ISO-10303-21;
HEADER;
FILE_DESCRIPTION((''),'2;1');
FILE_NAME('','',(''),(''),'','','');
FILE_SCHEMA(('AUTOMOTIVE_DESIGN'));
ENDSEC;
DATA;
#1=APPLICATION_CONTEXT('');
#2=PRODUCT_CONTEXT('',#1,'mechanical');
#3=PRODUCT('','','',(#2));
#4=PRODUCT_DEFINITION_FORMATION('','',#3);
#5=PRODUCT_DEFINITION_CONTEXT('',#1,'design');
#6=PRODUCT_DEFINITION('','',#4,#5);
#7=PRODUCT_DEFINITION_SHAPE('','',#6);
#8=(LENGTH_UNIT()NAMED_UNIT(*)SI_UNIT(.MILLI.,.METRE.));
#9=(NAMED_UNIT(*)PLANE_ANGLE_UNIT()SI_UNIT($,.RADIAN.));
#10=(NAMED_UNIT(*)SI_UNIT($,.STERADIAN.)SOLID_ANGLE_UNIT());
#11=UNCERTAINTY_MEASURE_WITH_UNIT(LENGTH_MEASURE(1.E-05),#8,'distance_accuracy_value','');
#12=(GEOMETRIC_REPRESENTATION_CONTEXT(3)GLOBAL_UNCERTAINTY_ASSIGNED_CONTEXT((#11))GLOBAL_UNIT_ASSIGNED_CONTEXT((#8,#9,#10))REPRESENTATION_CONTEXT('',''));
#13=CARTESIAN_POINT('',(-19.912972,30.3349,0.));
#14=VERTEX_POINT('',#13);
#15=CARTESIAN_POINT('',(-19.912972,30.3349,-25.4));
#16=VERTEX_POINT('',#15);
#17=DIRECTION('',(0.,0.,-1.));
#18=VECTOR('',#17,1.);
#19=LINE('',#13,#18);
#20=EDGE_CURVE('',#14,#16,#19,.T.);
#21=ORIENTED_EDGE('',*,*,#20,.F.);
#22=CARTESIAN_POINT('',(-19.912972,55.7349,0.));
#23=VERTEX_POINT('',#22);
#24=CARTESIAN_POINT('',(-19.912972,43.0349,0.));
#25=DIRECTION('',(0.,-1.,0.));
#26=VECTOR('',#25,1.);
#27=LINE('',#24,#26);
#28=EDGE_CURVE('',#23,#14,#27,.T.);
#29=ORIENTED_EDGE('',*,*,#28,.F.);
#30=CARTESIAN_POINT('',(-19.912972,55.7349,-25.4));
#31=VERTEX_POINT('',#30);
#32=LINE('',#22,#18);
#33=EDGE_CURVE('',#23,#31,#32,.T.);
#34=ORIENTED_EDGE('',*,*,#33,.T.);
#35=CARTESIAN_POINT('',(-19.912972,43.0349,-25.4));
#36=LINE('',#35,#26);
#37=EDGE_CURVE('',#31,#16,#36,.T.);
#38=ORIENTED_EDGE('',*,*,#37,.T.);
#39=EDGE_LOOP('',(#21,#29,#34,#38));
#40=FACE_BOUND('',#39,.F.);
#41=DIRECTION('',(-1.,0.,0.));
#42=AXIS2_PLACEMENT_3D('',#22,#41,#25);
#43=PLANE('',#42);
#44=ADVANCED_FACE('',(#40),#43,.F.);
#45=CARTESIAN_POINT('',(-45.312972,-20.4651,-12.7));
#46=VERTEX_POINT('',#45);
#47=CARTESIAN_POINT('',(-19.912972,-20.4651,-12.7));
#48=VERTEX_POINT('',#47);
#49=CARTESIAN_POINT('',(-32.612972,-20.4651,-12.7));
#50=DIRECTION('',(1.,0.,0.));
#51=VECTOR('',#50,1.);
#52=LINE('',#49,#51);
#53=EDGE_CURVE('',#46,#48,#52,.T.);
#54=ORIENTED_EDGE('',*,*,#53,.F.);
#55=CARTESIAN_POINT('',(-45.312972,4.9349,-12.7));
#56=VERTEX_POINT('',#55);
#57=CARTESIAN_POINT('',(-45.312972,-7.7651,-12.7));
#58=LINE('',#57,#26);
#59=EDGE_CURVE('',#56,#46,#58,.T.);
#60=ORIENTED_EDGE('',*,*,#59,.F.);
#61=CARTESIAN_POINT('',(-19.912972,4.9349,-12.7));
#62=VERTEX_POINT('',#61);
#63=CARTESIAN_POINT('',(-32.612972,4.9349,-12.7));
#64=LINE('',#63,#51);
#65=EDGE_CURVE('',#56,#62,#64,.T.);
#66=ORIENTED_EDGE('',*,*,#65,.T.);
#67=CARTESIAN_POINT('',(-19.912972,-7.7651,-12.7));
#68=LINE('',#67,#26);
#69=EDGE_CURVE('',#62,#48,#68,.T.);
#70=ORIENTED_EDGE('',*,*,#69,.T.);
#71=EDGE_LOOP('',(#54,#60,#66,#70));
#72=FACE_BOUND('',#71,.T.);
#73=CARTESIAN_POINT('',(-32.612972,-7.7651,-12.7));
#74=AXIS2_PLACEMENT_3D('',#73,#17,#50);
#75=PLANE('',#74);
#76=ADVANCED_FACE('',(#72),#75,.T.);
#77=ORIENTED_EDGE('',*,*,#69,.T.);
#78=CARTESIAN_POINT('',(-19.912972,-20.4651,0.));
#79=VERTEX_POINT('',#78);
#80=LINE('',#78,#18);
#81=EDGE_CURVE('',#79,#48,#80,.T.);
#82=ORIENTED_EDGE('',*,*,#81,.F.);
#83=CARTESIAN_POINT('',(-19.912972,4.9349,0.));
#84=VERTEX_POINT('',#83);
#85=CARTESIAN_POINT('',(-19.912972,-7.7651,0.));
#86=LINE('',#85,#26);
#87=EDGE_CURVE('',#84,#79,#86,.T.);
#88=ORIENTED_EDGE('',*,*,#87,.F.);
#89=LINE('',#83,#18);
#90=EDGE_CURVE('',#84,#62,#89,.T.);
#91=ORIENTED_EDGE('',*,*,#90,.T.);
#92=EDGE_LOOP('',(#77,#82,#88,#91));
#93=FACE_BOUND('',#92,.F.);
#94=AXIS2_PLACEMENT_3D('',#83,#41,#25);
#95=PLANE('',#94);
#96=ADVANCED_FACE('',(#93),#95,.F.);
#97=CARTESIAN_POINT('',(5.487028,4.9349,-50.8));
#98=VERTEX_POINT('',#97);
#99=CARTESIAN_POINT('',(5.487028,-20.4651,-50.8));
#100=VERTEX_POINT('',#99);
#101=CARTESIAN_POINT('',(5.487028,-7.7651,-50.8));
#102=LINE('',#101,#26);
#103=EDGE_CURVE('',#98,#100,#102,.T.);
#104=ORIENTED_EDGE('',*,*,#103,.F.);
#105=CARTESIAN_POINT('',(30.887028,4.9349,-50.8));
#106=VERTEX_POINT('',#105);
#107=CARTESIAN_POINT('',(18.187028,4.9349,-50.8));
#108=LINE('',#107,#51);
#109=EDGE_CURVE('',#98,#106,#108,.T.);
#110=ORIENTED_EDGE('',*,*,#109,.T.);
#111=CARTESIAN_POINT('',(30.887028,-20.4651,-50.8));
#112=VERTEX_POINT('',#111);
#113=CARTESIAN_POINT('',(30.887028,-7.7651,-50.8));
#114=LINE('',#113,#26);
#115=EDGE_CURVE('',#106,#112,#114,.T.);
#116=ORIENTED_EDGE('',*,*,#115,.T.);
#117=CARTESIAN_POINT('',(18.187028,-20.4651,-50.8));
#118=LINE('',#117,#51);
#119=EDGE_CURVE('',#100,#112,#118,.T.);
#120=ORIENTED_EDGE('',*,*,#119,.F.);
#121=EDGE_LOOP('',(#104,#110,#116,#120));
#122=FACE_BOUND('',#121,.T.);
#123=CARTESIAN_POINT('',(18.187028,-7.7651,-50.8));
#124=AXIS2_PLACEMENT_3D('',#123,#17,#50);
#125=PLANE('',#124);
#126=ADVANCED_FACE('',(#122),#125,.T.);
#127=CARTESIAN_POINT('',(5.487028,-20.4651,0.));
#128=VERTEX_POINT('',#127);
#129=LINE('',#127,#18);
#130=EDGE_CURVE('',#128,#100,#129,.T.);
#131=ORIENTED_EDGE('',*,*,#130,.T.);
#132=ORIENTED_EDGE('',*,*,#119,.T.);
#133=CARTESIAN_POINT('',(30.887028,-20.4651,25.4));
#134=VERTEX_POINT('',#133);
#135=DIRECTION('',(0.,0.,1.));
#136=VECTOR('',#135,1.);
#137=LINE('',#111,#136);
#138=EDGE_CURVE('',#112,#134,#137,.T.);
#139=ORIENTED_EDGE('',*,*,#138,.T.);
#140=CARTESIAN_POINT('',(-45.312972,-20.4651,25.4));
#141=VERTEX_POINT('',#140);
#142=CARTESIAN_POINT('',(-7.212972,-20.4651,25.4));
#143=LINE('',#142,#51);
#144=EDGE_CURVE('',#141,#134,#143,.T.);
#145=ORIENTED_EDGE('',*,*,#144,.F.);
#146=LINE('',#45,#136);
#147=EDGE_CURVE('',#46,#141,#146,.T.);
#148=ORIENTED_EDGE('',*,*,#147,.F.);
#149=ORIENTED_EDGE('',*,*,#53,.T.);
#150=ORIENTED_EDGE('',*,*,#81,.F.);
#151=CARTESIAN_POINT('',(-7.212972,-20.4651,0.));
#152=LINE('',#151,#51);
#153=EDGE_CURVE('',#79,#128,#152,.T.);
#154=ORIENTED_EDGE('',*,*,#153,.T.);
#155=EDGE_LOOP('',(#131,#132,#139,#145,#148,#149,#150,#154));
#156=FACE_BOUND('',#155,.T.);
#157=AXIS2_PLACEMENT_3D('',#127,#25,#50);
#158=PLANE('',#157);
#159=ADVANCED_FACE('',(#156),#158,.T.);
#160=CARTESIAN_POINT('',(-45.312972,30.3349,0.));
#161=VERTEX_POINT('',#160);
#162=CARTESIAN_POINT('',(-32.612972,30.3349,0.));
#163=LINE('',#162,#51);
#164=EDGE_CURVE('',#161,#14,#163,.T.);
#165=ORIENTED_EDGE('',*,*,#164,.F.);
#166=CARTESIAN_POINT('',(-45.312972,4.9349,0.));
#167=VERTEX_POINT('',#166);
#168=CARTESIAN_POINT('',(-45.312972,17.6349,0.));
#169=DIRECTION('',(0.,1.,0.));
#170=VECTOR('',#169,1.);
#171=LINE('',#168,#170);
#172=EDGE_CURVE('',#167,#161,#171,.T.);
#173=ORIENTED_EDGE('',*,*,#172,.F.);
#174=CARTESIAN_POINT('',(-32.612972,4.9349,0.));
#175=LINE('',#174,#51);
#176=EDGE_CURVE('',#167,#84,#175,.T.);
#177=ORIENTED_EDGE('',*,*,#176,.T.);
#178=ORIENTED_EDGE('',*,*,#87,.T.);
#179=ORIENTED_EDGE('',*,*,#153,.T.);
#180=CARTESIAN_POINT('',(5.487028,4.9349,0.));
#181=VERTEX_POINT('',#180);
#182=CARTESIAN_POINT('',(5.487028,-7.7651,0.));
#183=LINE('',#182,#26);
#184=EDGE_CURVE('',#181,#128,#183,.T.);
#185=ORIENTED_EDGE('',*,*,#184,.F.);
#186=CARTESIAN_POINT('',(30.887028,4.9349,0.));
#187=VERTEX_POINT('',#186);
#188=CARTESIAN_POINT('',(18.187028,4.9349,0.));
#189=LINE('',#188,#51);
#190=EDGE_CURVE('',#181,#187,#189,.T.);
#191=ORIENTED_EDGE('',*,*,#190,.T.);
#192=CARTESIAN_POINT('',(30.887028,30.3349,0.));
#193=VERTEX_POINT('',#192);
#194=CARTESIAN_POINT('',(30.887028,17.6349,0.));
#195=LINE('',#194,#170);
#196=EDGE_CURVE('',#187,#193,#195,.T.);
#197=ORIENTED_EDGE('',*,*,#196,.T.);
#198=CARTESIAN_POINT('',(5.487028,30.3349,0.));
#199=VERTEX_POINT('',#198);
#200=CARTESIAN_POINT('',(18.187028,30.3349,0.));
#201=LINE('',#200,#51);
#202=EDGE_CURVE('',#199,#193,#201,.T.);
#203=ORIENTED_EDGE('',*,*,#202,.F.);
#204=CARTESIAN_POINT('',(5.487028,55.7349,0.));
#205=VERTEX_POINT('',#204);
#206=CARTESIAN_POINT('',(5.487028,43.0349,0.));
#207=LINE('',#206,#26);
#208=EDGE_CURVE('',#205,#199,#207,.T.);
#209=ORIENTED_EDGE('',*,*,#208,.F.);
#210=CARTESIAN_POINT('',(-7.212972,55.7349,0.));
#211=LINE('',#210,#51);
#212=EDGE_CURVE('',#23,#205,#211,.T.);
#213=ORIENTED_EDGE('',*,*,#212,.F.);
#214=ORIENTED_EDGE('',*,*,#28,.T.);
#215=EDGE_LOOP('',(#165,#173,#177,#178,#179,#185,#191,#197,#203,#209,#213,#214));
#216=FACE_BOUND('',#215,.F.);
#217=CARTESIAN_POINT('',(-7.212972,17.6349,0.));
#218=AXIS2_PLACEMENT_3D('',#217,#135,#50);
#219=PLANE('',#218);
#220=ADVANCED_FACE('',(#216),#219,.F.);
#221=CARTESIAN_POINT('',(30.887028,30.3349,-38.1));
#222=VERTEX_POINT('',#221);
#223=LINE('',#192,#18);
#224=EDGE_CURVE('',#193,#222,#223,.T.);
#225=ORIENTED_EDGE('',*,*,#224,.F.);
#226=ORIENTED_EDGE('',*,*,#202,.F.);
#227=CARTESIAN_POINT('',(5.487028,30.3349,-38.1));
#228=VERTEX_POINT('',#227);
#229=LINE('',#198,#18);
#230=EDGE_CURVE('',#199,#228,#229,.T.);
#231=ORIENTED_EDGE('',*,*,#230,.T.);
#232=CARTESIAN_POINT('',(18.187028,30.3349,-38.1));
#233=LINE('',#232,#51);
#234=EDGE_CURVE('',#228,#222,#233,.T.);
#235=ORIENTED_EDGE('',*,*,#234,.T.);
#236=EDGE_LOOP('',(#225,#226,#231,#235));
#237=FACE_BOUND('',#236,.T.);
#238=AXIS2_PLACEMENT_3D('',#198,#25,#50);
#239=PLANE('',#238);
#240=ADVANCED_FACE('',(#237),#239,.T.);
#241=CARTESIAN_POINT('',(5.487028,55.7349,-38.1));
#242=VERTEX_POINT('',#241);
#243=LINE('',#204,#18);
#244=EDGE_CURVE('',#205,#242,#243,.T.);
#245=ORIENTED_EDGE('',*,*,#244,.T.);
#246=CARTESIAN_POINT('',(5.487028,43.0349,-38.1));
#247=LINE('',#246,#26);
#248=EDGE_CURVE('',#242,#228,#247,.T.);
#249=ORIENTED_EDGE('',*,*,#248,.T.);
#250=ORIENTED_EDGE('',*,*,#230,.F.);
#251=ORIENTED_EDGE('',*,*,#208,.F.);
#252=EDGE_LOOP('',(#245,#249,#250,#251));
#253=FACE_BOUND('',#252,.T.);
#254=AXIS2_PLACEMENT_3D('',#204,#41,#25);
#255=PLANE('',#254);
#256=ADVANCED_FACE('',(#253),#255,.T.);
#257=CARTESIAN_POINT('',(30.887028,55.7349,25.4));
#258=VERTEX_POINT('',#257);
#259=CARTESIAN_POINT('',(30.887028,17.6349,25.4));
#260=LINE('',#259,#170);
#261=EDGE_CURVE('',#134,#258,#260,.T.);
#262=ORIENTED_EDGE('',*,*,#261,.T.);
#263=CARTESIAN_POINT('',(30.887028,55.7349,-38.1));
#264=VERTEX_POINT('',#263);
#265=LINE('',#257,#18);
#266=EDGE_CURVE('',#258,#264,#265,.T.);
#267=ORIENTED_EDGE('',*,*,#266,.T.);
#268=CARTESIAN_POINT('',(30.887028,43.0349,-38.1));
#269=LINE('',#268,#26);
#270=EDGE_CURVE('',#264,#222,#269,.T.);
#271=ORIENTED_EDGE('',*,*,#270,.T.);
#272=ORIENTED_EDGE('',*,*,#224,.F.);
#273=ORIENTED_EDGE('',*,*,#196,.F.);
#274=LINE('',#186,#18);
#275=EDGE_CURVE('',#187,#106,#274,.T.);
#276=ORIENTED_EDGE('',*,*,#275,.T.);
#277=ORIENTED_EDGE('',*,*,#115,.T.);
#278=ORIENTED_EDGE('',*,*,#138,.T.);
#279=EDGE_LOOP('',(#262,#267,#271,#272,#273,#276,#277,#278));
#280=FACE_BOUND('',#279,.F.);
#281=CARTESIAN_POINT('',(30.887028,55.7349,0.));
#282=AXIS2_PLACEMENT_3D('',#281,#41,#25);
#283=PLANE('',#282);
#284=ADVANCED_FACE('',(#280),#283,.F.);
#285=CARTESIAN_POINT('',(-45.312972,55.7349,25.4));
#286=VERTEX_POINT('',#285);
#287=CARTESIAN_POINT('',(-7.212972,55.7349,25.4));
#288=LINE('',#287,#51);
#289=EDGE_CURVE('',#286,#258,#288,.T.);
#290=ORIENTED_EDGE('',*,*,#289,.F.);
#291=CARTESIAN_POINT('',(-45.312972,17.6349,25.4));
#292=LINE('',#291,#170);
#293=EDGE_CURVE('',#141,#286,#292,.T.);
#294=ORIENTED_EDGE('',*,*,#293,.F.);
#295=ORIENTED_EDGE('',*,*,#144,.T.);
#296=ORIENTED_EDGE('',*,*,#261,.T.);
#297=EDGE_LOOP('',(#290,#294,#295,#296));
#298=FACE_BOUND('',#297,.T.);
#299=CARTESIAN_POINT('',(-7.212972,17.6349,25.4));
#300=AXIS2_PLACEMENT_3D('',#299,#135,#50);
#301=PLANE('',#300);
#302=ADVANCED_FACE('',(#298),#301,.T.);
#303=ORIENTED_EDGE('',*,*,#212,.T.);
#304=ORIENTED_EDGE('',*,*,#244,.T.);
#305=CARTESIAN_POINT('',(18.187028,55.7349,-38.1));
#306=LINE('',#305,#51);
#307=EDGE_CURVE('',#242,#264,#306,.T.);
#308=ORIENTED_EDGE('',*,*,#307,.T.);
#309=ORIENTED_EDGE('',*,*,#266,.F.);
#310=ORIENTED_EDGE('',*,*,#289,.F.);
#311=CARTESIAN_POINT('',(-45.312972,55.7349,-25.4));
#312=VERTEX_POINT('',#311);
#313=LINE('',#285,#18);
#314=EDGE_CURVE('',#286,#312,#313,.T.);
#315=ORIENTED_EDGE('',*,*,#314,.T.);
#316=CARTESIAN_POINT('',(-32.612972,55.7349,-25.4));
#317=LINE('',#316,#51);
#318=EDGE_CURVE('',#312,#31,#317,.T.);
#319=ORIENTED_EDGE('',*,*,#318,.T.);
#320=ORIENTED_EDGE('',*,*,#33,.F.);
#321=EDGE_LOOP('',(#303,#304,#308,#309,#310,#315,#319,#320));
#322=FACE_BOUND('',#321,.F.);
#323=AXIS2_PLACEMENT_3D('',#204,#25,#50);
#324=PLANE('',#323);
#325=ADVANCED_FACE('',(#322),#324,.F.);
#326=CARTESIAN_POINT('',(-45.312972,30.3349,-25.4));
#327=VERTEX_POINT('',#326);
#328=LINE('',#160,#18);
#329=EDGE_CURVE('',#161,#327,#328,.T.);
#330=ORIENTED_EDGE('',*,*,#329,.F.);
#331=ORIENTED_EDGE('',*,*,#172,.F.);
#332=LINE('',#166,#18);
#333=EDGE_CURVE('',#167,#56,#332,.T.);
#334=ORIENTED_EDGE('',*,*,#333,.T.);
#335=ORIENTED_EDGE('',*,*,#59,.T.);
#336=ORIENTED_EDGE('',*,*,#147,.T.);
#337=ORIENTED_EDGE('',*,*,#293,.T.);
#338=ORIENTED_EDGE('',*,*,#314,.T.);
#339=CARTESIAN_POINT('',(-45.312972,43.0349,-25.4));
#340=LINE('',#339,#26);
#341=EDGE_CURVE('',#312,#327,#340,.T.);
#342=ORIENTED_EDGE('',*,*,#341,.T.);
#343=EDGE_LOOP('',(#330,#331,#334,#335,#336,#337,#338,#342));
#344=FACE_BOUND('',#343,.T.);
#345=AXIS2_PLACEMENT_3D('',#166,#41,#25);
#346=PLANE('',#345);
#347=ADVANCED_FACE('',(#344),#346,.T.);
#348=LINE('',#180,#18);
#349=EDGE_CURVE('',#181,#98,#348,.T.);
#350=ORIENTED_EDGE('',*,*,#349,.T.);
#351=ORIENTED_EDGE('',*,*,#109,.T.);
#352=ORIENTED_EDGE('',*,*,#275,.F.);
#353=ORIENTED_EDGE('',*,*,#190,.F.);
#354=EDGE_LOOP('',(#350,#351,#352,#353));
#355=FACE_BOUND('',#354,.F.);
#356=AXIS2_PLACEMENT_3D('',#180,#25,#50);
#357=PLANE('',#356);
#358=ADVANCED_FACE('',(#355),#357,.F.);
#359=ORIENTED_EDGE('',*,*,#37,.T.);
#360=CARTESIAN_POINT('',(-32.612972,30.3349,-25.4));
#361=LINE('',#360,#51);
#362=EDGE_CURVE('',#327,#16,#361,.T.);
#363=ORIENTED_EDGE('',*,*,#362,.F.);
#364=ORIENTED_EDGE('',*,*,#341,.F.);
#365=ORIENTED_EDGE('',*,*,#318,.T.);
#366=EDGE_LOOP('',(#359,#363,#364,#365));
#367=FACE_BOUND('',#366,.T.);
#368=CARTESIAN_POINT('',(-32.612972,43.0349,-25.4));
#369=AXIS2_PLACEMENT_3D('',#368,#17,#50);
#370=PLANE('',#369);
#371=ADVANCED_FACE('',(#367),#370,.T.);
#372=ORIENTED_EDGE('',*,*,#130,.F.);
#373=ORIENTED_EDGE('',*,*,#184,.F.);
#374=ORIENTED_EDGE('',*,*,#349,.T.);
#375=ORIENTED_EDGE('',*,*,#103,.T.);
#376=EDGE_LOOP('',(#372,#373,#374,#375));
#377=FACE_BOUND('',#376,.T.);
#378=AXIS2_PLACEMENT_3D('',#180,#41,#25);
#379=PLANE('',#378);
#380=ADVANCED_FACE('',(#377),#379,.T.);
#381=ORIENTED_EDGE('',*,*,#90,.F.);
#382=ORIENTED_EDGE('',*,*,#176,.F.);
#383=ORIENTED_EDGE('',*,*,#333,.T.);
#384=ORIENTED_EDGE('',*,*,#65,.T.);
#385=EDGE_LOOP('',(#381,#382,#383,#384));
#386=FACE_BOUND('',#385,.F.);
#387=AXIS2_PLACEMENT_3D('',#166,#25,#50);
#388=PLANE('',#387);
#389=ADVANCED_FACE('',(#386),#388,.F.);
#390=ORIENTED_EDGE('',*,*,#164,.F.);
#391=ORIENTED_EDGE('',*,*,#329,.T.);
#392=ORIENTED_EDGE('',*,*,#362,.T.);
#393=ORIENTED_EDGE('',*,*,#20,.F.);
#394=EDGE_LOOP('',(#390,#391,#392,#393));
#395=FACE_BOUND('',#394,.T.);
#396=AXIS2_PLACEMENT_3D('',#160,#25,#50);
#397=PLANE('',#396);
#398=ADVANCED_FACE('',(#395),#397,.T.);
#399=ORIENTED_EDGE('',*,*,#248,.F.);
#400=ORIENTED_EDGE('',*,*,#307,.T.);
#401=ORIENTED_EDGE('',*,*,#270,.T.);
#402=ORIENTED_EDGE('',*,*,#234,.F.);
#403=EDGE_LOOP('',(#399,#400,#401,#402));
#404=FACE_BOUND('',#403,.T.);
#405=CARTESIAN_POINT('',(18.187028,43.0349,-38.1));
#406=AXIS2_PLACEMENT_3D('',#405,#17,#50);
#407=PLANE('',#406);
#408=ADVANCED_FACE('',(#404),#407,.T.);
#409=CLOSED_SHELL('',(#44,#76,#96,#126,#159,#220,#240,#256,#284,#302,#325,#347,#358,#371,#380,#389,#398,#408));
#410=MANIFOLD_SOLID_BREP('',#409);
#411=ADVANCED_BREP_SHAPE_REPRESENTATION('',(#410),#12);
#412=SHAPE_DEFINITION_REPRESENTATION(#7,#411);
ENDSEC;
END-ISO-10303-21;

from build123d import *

# Parameters (mm, degrees)
F0_W     = 76.2
F0_H     = 76.2
F1_DEPTH = 25.4
F2_W     = 25.4
F2_H     = 25.4
F3_DEPTH = 25.4
F4_W     = 25.4
F4_H     = 25.4
F5_DEPTH = 12.7
F6_W     = 25.4
F6_H     = 25.4
F7_DEPTH = 50.8
F8_W     = 25.4
F8_H     = 25.4
F9_DEPTH = 38.1


with BuildPart() as f1:
    # F0 (on Top) → F1 (new body)
    with BuildSketch(Plane.XY):
        with Locations((-7.212972, 17.6349)):
            Rectangle(F0_W, F0_H)
    extrude(amount=F1_DEPTH)

    # F2 (on face) → F3 (join)
    with BuildSketch(Plane(origin=(0, 0, 0), x_dir=(1, 0, 0), z_dir=(0, 0, -1))):
        with Locations((-32.612972, -43.0349)):
            Rectangle(F2_W, F2_H)
    extrude(amount=F3_DEPTH)

    # F4 (on face) → F5 (join)
    with BuildSketch(Plane(origin=(0, 0, 0), x_dir=(1, 0, 0), z_dir=(0, 0, -1))):
        with Locations((-32.612972, 7.7651)):
            Rectangle(F4_W, F4_H)
    extrude(amount=F5_DEPTH)

    # F6 (on face) → F7 (join)
    with BuildSketch(Plane(origin=(0, 0, 0), x_dir=(1, 0, 0), z_dir=(0, 0, -1))):
        with Locations((18.187028, 7.7651)):
            Rectangle(F6_W, F6_H)
    extrude(amount=F7_DEPTH)

    # F8 (on face) → F9 (join)
    with BuildSketch(Plane(origin=(0, 0, 0), x_dir=(1, 0, 0), z_dir=(0, 0, -1))):
        with Locations((18.187028, -43.0349)):
            Rectangle(F8_W, F8_H)
    extrude(amount=F9_DEPTH)


solid = f1.part
